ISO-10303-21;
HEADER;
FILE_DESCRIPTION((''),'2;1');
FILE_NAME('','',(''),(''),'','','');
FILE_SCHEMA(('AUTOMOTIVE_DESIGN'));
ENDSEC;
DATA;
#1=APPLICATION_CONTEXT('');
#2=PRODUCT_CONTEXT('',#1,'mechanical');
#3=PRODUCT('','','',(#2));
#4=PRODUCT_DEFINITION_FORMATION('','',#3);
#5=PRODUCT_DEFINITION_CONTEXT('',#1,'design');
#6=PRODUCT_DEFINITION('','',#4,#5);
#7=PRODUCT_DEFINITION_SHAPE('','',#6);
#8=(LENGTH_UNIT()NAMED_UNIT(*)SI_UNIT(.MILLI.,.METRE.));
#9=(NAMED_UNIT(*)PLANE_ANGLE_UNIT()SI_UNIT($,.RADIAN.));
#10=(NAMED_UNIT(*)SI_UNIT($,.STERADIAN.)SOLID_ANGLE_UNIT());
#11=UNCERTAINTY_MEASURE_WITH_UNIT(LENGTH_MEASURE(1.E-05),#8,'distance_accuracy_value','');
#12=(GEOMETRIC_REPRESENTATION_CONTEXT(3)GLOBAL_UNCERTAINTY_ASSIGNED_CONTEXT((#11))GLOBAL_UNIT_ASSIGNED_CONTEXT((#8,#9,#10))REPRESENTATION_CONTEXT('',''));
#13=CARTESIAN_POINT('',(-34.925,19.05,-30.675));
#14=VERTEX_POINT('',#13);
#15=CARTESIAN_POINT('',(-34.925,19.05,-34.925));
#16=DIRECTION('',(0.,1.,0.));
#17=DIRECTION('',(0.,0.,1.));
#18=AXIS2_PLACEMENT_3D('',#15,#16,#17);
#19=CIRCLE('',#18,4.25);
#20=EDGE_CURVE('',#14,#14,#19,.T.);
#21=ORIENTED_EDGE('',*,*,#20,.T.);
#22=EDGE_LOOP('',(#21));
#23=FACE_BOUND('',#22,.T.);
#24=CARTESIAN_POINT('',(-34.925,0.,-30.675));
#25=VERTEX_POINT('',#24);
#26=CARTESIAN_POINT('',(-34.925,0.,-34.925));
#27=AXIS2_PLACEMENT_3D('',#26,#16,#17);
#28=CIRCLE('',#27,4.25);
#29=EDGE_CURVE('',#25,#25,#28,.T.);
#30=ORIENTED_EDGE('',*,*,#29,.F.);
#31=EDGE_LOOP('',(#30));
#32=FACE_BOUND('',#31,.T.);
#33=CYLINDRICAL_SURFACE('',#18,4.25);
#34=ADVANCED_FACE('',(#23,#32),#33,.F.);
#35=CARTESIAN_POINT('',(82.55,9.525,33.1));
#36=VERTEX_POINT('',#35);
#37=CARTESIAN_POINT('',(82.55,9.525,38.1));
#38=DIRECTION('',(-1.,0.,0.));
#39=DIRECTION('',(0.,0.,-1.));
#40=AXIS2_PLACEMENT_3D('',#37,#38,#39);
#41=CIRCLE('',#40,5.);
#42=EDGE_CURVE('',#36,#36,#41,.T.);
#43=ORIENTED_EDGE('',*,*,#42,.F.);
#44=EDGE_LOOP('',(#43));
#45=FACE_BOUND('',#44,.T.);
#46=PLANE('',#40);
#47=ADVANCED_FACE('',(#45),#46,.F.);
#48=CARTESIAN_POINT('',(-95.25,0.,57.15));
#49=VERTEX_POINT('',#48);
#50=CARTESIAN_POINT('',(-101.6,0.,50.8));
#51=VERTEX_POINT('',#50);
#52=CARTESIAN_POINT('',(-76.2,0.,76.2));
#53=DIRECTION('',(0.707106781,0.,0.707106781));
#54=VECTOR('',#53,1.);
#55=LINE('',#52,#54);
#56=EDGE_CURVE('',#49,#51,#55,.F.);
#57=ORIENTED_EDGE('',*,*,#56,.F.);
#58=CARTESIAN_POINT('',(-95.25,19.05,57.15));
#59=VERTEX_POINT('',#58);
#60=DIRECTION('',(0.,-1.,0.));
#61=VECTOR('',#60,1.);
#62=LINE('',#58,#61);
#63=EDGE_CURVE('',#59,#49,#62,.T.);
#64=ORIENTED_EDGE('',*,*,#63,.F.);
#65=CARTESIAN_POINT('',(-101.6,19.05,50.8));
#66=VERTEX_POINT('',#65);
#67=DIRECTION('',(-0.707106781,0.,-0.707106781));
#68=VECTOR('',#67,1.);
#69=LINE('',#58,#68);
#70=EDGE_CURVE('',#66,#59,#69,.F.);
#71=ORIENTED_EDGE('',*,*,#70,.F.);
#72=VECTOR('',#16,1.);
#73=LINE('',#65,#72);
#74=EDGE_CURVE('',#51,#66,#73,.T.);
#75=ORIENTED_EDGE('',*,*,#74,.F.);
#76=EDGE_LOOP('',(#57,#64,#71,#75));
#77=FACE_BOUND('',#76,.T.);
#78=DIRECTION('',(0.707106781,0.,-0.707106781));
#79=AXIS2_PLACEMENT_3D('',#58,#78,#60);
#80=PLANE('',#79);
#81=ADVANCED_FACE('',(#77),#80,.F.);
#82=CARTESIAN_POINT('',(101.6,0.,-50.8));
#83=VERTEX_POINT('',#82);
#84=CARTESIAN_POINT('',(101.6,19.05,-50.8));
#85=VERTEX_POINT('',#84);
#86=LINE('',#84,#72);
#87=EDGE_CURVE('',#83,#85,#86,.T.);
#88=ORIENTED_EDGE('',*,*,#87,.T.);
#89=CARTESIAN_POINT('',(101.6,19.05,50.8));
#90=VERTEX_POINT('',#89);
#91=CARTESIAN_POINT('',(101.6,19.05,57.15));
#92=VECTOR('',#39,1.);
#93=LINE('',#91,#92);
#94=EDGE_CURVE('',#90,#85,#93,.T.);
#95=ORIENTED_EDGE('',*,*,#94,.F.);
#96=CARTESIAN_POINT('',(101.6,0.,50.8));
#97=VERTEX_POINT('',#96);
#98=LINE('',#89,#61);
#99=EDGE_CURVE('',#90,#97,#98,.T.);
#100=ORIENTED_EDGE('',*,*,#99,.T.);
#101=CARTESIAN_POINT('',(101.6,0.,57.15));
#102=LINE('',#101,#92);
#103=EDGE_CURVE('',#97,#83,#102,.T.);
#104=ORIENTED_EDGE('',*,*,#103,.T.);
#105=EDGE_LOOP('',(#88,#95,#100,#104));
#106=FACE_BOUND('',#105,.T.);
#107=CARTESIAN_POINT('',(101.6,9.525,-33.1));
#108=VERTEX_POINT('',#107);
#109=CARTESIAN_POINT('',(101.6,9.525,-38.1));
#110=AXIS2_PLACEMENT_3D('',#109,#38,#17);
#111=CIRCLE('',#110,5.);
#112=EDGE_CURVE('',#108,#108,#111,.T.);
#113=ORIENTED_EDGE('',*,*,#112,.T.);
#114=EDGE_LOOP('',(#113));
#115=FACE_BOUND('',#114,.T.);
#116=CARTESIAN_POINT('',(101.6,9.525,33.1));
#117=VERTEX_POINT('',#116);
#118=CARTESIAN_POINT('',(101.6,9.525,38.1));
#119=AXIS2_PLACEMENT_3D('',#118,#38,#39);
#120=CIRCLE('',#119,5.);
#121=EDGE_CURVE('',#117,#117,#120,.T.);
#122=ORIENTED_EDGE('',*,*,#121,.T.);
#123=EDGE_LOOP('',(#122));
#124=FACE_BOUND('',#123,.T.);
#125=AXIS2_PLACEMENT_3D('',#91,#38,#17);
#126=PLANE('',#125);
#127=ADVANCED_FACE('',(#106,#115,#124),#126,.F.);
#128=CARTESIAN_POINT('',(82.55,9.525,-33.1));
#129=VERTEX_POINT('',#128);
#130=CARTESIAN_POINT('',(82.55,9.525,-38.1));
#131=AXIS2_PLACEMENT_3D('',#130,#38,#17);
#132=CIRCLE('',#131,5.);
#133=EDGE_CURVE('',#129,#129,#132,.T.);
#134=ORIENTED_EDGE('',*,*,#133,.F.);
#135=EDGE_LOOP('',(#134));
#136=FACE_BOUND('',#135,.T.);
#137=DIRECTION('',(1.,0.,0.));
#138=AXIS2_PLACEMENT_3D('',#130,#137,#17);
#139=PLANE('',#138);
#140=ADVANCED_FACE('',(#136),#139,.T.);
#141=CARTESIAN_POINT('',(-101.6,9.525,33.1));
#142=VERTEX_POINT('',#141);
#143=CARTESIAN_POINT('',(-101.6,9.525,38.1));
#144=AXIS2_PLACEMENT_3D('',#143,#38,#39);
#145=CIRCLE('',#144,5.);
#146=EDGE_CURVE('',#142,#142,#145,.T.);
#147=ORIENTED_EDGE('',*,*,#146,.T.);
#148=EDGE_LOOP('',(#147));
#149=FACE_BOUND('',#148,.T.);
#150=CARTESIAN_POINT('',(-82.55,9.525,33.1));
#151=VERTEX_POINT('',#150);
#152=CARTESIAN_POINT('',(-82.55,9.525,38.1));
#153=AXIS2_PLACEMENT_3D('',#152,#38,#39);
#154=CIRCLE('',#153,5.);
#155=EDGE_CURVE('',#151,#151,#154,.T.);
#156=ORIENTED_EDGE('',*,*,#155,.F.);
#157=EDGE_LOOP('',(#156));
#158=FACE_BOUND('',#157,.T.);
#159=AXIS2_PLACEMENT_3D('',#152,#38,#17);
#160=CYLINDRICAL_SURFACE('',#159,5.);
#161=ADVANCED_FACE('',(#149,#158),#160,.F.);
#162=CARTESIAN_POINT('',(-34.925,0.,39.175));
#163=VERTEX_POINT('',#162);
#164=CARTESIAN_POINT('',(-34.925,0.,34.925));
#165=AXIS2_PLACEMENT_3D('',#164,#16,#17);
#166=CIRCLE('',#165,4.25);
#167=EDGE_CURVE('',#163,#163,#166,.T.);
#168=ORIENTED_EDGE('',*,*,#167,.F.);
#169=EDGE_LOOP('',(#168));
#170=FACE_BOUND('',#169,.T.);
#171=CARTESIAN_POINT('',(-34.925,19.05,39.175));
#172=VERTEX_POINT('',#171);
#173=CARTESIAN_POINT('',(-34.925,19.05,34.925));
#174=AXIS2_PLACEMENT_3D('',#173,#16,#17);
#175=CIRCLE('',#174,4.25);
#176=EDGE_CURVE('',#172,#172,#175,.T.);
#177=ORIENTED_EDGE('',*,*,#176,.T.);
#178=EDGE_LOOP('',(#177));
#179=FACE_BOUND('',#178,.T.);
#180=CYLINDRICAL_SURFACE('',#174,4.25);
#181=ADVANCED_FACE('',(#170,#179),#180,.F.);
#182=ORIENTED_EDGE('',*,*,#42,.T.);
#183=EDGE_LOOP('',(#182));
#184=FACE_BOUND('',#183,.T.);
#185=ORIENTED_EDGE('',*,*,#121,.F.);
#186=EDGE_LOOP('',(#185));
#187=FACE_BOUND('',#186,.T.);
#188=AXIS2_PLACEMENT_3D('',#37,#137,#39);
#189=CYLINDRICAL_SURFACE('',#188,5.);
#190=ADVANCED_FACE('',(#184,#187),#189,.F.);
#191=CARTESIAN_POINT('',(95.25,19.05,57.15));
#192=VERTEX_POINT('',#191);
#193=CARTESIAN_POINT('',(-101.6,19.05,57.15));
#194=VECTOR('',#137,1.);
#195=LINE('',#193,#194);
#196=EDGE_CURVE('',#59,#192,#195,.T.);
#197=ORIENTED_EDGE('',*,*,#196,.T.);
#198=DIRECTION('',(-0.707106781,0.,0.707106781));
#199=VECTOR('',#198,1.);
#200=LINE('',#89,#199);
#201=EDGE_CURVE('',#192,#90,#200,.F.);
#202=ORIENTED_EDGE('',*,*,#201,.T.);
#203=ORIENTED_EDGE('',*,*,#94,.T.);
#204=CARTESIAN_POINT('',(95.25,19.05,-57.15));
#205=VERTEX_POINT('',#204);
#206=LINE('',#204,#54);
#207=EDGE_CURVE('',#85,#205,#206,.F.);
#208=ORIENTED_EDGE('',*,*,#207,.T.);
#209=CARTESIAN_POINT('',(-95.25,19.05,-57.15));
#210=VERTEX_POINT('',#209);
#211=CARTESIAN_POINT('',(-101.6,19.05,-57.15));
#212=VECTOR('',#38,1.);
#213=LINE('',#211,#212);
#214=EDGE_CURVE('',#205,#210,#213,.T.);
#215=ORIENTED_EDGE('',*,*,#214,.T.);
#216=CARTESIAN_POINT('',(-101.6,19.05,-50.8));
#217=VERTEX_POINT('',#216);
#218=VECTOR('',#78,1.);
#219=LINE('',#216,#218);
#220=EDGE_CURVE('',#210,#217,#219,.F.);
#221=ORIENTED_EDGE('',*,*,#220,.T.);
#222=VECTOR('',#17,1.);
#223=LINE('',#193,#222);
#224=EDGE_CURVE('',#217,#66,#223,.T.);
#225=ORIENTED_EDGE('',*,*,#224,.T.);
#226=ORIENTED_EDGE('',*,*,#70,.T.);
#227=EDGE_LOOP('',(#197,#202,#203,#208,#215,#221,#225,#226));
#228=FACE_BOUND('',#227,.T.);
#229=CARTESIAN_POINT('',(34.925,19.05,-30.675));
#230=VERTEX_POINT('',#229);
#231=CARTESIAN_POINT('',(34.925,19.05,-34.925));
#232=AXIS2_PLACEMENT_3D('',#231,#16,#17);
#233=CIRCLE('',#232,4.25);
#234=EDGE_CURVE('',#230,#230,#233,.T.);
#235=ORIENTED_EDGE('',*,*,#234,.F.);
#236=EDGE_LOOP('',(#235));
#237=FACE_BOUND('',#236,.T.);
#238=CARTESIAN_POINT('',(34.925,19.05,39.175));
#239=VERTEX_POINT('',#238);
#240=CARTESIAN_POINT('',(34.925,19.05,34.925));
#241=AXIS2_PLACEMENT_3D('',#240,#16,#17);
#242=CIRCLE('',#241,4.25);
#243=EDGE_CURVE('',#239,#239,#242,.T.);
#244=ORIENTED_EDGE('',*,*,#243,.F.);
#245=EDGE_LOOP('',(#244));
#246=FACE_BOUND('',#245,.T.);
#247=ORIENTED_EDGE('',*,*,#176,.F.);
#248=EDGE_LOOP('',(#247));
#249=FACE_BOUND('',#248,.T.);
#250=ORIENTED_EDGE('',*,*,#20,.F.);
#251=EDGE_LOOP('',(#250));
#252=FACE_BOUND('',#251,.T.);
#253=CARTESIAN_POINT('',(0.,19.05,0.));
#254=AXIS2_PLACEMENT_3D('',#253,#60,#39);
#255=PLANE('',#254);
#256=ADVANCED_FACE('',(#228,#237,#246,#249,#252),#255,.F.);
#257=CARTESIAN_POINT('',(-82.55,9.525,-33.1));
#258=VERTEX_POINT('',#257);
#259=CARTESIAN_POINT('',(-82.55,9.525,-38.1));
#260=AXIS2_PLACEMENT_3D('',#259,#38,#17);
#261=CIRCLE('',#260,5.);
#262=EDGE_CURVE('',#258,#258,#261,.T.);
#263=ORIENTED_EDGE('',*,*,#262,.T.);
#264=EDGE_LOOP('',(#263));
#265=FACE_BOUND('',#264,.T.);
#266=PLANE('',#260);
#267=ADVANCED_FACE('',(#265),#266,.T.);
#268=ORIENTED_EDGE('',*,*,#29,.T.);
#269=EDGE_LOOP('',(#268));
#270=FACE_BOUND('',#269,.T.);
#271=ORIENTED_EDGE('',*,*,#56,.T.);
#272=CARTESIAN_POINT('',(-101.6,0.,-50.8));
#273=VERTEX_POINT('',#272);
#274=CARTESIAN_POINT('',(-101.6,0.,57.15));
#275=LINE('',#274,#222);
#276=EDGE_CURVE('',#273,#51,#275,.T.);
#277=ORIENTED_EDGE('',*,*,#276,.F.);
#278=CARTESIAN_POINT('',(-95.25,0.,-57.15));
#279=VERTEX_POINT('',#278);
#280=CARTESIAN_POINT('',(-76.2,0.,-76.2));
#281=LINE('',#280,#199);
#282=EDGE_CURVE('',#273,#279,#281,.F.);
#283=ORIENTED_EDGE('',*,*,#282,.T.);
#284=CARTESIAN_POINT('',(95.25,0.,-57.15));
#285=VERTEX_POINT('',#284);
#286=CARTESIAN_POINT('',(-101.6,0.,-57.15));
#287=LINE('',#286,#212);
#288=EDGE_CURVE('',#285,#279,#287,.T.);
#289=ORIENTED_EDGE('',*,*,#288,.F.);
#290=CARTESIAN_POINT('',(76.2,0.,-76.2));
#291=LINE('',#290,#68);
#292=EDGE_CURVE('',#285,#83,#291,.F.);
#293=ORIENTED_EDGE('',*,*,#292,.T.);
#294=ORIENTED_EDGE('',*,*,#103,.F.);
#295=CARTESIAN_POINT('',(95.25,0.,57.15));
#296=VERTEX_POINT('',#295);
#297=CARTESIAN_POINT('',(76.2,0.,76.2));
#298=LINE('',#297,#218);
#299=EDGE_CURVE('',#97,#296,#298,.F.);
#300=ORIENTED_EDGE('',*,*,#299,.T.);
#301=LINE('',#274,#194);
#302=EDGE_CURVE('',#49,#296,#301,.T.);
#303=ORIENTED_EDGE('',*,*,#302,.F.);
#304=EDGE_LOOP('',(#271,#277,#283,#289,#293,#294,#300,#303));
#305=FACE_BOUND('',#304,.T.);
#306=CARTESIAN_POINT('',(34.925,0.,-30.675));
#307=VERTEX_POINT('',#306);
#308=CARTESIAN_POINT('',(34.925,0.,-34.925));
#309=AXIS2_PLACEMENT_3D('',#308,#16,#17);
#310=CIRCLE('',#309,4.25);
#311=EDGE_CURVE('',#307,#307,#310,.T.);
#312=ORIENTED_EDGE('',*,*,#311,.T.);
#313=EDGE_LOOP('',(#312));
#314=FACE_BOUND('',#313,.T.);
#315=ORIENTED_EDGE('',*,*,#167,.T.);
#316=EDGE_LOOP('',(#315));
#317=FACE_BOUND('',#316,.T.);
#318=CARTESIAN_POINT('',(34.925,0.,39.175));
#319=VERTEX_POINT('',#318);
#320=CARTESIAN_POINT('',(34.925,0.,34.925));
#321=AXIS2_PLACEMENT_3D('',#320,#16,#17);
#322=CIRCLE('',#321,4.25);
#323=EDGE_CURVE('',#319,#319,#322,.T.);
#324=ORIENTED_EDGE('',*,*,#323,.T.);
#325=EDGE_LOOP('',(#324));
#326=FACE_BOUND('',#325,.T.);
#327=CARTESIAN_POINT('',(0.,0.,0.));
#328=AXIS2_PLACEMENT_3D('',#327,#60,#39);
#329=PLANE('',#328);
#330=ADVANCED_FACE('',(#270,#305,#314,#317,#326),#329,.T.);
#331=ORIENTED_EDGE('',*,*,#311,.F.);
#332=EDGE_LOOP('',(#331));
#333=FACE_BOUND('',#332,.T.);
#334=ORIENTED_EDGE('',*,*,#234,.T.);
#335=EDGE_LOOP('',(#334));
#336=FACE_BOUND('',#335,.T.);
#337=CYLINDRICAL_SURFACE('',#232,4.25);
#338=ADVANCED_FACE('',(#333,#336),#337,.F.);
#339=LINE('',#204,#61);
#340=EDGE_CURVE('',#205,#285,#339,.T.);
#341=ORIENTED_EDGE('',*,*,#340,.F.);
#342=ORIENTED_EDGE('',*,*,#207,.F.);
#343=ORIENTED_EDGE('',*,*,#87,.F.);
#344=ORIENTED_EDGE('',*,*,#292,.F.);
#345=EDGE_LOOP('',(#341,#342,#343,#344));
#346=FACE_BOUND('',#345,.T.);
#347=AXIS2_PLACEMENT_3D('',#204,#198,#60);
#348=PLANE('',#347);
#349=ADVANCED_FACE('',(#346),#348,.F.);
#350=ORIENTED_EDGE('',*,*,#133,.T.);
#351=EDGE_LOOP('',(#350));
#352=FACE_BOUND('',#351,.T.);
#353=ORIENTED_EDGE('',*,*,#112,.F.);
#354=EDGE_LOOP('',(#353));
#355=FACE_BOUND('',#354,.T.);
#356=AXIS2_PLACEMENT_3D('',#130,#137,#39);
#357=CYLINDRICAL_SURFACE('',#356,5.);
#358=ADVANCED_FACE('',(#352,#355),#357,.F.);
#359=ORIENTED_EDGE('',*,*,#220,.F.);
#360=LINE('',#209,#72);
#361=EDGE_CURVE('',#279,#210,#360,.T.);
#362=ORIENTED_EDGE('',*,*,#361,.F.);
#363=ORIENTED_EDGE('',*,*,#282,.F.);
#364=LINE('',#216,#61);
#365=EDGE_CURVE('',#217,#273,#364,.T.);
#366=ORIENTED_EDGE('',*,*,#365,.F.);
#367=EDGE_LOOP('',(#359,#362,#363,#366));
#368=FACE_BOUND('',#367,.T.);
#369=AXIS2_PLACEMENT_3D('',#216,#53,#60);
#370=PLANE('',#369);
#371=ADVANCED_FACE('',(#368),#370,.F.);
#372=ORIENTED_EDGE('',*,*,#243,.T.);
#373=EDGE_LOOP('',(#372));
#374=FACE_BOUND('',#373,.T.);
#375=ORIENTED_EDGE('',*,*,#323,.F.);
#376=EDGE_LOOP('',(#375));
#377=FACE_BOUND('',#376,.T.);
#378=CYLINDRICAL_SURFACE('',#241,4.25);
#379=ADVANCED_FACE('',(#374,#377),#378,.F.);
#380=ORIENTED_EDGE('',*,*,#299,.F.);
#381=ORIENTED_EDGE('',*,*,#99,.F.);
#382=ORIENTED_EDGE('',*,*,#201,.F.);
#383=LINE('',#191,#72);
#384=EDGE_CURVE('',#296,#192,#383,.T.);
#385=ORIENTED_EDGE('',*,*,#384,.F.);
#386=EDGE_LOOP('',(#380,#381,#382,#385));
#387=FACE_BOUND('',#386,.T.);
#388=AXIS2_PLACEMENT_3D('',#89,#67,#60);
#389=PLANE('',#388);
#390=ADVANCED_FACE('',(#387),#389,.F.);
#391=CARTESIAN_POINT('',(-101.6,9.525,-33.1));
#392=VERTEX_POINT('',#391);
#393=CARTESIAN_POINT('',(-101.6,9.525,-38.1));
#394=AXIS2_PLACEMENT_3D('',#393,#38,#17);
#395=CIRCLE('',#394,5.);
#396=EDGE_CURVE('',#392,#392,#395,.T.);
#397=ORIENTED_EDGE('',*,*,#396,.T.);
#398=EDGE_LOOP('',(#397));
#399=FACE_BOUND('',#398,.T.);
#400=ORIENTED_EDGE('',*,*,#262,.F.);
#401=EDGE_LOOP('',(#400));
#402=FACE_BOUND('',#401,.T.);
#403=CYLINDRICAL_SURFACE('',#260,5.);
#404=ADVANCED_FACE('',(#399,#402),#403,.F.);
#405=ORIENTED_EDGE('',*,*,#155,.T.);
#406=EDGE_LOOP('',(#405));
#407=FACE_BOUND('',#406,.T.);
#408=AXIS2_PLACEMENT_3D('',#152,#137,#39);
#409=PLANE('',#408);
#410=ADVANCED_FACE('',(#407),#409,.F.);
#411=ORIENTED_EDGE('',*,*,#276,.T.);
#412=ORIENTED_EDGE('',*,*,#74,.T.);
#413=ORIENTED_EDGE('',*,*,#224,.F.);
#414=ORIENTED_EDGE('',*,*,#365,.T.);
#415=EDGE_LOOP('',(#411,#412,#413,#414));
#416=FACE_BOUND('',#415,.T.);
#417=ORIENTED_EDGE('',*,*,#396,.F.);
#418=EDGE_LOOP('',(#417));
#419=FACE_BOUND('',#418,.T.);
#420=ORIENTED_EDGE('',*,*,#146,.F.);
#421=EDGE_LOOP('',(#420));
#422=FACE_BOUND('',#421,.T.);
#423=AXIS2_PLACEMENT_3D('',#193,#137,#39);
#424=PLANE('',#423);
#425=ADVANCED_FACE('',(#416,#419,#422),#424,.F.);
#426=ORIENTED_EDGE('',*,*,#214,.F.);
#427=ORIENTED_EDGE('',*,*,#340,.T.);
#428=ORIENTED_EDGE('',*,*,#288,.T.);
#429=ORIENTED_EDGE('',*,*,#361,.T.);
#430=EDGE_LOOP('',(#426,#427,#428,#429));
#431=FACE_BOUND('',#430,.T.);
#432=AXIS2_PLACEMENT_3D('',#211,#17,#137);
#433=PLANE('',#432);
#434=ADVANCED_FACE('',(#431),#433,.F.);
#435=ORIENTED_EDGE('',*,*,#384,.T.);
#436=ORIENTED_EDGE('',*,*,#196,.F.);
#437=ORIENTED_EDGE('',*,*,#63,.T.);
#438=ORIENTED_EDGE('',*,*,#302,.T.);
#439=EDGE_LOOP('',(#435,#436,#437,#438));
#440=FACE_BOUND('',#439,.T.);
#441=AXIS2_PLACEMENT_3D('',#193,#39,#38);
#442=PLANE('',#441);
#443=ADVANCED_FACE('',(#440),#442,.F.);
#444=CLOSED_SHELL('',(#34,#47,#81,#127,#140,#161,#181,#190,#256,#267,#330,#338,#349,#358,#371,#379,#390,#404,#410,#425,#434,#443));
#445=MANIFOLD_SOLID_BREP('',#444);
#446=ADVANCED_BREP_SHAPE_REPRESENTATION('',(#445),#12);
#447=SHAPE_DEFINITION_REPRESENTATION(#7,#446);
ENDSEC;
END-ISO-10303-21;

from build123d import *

# Parameters (mm, degrees)
SKETCH1_W              = 203.2
SKETCH1_H              = 114.3
BOSS_EXTRUDE1_DEPTH    = 19.05
SKETCH2_R              = 5
CUT_EXTRUDE1_DEPTH     = 19.05
CHAMFER1_SIZE          = 6.35
M10X1_5_TAPPED_HOLE1_D = 8.5


with BuildPart() as part:
    # Sketch1 → Boss-Extrude1 (new body)
    with BuildSketch(Plane(origin=(0, 0, 0), x_dir=(1, 0, 0), z_dir=(0, 1, 0))):
        Rectangle(SKETCH1_W, SKETCH1_H)
    extrude(amount=BOSS_EXTRUDE1_DEPTH)

    # Sketch2 → Cut-Extrude1 (cut)
    with BuildSketch(Plane.ZY.offset(101.6)):
        with Locations((-38.1, 9.525)):
            Circle(SKETCH2_R)
        with Locations((38.1, 9.525)):
            Circle(SKETCH2_R)
    cut_extrude1 = extrude(amount=-CUT_EXTRUDE1_DEPTH, mode=Mode.SUBTRACT)

    # Mirror1: Cut-Extrude1 across plane
    add(cut_extrude1.mirror(Plane(origin=(0, 0, 0), x_dir=(0, 0, 1), z_dir=(1, 0, 0))), mode=Mode.SUBTRACT)

    # Chamfer1
    chamfer1_edges = [part.edges().sort_by_distance(p)[0] for p in [
        (101.6, 9.525, 57.15),
        (-101.6, 9.525, 57.15),
        (-101.6, 9.525, -57.15),
        (101.6, 9.525, -57.15),
    ]]
    chamfer(chamfer1_edges, length=CHAMFER1_SIZE)

    # M10x1.5 Tapped Hole1 (through all)
    with Locations(Plane(origin=(0, 19.05, 0), x_dir=(1, 0, 0), z_dir=(0, 1, 0))):
        with Locations((34.925, -34.925), (-34.925, -34.925), (34.925, 34.925), (-34.925, 34.925)):
            Hole(M10X1_5_TAPPED_HOLE1_D / 2)


solid = part.part
